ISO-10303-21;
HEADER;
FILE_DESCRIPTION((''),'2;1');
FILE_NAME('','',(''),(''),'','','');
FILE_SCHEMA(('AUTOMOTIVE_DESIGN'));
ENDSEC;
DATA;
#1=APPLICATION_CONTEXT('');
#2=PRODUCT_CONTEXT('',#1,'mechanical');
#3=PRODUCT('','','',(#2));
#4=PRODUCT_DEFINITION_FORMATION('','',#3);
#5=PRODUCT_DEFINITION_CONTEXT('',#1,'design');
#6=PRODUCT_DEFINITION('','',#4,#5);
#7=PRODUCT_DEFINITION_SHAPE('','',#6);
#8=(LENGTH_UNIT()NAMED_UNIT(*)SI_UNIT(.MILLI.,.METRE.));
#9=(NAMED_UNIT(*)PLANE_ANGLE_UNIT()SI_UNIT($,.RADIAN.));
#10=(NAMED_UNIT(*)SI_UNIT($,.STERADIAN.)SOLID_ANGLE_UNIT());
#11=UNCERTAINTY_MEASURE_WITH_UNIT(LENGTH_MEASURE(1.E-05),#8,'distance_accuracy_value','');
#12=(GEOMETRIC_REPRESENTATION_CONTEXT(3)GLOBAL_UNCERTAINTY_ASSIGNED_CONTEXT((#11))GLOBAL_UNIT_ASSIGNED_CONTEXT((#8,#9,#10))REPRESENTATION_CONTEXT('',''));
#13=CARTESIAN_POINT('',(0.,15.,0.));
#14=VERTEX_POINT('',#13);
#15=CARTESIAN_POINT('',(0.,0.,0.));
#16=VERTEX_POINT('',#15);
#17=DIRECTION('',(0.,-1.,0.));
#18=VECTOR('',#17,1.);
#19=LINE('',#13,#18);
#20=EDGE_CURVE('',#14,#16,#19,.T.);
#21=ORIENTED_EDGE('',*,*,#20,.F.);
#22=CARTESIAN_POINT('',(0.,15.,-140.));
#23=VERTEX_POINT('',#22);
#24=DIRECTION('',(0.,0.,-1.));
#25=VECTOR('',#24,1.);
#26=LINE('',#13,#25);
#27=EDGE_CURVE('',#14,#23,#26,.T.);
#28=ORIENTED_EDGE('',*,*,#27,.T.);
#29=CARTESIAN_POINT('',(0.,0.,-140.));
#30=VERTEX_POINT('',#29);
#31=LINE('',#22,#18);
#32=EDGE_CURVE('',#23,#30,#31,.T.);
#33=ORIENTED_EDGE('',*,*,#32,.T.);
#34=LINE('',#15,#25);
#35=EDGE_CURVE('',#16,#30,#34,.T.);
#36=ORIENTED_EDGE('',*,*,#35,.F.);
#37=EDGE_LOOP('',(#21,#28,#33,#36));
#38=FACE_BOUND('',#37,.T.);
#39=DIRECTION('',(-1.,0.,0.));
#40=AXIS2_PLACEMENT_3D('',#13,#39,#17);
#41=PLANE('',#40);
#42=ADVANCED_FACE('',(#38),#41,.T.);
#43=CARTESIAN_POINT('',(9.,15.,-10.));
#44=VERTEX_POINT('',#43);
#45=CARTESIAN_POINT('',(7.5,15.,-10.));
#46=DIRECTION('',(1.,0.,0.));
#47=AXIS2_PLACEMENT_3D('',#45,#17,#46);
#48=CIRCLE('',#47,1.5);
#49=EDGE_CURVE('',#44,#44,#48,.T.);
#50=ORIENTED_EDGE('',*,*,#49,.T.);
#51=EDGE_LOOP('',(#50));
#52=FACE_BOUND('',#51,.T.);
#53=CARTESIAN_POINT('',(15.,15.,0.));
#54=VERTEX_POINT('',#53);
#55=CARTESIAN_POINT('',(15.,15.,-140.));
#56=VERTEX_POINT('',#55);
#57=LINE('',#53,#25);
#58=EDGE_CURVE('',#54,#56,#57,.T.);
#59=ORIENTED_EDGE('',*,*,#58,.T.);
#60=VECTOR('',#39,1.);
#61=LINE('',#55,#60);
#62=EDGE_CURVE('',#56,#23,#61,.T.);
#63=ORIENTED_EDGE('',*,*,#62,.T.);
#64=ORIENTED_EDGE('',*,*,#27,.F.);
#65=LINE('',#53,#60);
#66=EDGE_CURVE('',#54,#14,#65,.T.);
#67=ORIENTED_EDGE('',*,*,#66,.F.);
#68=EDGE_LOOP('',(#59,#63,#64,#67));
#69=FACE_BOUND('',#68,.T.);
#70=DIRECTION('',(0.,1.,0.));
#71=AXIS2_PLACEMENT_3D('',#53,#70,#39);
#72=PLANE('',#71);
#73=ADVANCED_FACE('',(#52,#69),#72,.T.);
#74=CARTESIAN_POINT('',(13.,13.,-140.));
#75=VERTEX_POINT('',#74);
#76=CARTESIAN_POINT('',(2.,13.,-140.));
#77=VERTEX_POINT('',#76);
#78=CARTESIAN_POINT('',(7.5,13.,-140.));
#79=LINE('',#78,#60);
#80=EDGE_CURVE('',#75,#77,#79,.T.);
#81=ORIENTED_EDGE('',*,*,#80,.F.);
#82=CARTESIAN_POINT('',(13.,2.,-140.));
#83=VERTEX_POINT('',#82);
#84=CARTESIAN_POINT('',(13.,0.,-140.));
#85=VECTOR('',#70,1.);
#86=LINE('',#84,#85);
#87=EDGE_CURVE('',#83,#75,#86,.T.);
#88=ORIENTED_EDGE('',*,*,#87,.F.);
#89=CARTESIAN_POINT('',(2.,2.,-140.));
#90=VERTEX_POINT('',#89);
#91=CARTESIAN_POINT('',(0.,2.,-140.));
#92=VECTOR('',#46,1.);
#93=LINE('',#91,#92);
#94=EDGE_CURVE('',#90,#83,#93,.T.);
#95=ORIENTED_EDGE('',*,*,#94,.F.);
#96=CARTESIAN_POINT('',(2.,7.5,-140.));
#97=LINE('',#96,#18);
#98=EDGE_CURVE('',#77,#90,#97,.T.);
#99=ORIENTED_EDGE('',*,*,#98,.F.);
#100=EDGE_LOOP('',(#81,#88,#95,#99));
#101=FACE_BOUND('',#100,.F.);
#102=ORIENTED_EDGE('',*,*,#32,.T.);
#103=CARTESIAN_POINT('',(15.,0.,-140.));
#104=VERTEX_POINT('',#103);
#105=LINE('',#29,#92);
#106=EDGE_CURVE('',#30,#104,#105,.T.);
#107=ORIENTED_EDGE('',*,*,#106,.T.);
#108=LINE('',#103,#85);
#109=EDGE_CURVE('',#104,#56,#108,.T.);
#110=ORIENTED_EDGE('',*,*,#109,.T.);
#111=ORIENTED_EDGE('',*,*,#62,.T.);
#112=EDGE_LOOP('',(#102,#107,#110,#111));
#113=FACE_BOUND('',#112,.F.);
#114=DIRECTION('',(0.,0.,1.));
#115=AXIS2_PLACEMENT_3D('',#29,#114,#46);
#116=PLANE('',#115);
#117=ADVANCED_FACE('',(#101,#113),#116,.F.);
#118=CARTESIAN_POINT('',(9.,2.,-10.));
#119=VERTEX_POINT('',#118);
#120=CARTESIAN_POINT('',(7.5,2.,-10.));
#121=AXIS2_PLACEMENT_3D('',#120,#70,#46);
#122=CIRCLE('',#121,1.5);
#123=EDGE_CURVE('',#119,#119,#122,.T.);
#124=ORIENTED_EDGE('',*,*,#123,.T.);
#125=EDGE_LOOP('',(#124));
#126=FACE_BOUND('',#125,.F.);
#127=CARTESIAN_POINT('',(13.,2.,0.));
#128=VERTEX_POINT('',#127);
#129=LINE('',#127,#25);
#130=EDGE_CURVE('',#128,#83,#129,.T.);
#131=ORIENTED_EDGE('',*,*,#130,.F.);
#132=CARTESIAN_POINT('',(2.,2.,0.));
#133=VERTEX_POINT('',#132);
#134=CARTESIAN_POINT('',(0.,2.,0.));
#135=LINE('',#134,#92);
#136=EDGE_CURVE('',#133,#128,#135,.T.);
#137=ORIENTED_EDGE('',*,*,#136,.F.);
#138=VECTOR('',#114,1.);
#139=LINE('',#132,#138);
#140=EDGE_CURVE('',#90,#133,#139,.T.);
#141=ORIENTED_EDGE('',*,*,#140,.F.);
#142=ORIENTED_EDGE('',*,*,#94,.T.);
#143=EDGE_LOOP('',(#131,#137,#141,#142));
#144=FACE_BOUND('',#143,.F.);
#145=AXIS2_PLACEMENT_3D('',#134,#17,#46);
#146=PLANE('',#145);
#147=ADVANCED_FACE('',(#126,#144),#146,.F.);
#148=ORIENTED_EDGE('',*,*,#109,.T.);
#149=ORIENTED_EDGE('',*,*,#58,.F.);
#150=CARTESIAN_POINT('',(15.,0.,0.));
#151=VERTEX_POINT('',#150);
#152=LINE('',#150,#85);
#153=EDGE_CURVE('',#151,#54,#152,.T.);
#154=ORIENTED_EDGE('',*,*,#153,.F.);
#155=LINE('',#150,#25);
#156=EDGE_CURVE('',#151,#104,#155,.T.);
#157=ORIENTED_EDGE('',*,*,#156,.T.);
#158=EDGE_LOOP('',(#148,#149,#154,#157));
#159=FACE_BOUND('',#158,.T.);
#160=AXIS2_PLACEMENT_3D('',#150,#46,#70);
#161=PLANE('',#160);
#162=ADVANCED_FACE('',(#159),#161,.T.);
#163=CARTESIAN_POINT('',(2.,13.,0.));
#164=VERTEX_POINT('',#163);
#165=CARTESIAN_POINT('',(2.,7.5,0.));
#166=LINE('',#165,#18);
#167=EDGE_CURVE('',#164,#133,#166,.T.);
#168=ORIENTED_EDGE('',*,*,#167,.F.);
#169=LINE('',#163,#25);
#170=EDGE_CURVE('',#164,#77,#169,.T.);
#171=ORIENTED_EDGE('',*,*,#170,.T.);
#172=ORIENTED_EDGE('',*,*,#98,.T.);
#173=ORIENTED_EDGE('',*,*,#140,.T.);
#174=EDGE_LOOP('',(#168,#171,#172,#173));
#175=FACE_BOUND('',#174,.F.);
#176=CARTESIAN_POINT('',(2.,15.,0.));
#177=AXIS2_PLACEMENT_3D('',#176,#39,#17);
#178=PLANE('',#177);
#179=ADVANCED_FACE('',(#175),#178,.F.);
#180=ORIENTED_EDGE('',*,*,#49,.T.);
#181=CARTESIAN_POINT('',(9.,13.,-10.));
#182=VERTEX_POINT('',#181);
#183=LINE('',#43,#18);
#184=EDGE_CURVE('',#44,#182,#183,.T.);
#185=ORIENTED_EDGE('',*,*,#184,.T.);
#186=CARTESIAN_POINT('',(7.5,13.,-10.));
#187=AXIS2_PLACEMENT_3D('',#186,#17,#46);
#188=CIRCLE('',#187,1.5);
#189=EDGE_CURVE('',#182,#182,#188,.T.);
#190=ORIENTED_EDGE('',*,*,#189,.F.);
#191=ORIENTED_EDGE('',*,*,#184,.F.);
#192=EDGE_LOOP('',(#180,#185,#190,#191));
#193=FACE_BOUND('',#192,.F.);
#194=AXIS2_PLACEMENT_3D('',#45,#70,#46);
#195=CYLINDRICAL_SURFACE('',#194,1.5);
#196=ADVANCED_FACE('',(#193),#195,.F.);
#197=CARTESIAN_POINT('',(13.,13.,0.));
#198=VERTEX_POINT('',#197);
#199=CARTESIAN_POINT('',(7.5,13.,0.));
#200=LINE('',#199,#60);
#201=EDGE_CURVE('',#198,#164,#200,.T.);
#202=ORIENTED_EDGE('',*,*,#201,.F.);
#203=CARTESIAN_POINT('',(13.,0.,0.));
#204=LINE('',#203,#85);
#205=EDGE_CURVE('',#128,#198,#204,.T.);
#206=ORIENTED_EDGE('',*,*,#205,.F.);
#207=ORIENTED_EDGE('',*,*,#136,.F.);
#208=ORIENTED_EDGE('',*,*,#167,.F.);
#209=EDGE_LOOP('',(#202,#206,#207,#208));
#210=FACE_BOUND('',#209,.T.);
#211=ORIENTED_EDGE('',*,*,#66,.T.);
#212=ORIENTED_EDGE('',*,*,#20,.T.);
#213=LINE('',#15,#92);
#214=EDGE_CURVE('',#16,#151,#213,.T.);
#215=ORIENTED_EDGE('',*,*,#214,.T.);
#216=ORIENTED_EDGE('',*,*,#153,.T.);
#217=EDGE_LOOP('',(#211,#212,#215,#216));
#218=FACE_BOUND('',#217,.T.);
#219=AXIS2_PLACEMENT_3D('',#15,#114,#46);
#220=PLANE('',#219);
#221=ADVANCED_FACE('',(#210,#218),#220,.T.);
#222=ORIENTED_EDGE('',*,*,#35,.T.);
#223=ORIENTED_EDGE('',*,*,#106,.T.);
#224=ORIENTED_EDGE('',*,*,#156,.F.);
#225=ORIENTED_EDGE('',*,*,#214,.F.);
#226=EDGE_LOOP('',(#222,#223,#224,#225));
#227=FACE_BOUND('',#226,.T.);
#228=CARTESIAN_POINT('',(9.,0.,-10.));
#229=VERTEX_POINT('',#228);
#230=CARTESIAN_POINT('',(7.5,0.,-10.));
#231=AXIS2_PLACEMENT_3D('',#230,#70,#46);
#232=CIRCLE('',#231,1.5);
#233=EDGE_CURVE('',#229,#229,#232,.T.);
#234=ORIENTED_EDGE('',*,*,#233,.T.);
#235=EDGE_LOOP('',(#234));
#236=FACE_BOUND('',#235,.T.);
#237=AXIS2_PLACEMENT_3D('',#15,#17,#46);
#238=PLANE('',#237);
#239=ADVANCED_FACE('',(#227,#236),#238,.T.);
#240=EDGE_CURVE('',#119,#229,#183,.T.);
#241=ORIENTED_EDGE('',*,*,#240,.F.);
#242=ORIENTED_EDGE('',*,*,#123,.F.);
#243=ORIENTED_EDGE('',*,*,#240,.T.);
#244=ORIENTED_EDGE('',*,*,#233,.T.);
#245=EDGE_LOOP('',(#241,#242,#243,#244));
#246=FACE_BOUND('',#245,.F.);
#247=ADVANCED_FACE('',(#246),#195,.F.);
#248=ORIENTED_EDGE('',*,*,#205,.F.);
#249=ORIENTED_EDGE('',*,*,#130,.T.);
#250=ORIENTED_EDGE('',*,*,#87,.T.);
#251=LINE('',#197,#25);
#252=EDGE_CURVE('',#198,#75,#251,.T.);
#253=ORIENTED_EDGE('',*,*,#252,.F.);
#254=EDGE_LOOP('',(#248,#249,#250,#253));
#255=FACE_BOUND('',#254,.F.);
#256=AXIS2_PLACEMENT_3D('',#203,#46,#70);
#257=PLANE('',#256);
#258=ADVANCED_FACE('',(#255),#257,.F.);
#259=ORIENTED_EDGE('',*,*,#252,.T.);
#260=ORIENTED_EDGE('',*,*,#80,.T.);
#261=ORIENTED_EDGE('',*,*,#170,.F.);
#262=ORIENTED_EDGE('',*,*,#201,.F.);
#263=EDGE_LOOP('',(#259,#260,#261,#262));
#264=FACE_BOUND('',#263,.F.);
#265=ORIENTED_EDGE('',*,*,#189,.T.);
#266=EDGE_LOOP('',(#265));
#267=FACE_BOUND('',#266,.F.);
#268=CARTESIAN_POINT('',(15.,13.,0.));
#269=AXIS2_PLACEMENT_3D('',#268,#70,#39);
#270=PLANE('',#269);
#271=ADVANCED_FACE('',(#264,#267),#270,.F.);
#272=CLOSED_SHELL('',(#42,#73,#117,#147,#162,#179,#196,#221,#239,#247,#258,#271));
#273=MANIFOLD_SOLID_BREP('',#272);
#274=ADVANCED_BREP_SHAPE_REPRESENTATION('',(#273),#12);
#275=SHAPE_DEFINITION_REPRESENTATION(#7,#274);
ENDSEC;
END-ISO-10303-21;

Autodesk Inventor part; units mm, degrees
ref_plane "YZ Plane" through (0, 0, 0) normal (1, 0, 0) x (0, 1, 0)
ref_plane "XZ Plane" through (0, 0, 0) normal (0, 1, 0) x (-1, 0, 0)
ref_plane "XY Plane" through (0, 0, 0) normal (0, 0, 1) x (1, 0, 0)
sketch "Sketch1" plane through (0, 0, 0) normal (0, 0, 1) x (1, 0, 0)
  line L0 (0, 0) -> (15, 0)
  line L1 (15, 0) -> (15, 15)
  line L2 (15, 15) -> (0, 15)
  line L3 (0, 15) -> (0, 0)
  dimension "d0" = 15
  dimension "d1" = 15
extrude "Extrusion1" add sketch "Sketch1" against normal blind 140
shell "Shell1" thickness 2 removed faces 2 at (10, 5, 0) at (10, 5, -140)
sketch "Sketch2" plane through (0, 15, 0) normal (0, 1, 0) x (1, 0, 0)
  line L0 (2, 0) -> (13, 0) projected
  line L1 (7.5, 0) -> (7.5, 10)
  circle A0 centre (7.5, 10) radius 1.5
  point P0 (0, 0)
  dimension "d5" = 10
  dimension "d6" = 3
extrude "Extrusion2" cut sketch "Sketch2" against normal through all
properties part number "Alumunium Square Tube 14cm"
